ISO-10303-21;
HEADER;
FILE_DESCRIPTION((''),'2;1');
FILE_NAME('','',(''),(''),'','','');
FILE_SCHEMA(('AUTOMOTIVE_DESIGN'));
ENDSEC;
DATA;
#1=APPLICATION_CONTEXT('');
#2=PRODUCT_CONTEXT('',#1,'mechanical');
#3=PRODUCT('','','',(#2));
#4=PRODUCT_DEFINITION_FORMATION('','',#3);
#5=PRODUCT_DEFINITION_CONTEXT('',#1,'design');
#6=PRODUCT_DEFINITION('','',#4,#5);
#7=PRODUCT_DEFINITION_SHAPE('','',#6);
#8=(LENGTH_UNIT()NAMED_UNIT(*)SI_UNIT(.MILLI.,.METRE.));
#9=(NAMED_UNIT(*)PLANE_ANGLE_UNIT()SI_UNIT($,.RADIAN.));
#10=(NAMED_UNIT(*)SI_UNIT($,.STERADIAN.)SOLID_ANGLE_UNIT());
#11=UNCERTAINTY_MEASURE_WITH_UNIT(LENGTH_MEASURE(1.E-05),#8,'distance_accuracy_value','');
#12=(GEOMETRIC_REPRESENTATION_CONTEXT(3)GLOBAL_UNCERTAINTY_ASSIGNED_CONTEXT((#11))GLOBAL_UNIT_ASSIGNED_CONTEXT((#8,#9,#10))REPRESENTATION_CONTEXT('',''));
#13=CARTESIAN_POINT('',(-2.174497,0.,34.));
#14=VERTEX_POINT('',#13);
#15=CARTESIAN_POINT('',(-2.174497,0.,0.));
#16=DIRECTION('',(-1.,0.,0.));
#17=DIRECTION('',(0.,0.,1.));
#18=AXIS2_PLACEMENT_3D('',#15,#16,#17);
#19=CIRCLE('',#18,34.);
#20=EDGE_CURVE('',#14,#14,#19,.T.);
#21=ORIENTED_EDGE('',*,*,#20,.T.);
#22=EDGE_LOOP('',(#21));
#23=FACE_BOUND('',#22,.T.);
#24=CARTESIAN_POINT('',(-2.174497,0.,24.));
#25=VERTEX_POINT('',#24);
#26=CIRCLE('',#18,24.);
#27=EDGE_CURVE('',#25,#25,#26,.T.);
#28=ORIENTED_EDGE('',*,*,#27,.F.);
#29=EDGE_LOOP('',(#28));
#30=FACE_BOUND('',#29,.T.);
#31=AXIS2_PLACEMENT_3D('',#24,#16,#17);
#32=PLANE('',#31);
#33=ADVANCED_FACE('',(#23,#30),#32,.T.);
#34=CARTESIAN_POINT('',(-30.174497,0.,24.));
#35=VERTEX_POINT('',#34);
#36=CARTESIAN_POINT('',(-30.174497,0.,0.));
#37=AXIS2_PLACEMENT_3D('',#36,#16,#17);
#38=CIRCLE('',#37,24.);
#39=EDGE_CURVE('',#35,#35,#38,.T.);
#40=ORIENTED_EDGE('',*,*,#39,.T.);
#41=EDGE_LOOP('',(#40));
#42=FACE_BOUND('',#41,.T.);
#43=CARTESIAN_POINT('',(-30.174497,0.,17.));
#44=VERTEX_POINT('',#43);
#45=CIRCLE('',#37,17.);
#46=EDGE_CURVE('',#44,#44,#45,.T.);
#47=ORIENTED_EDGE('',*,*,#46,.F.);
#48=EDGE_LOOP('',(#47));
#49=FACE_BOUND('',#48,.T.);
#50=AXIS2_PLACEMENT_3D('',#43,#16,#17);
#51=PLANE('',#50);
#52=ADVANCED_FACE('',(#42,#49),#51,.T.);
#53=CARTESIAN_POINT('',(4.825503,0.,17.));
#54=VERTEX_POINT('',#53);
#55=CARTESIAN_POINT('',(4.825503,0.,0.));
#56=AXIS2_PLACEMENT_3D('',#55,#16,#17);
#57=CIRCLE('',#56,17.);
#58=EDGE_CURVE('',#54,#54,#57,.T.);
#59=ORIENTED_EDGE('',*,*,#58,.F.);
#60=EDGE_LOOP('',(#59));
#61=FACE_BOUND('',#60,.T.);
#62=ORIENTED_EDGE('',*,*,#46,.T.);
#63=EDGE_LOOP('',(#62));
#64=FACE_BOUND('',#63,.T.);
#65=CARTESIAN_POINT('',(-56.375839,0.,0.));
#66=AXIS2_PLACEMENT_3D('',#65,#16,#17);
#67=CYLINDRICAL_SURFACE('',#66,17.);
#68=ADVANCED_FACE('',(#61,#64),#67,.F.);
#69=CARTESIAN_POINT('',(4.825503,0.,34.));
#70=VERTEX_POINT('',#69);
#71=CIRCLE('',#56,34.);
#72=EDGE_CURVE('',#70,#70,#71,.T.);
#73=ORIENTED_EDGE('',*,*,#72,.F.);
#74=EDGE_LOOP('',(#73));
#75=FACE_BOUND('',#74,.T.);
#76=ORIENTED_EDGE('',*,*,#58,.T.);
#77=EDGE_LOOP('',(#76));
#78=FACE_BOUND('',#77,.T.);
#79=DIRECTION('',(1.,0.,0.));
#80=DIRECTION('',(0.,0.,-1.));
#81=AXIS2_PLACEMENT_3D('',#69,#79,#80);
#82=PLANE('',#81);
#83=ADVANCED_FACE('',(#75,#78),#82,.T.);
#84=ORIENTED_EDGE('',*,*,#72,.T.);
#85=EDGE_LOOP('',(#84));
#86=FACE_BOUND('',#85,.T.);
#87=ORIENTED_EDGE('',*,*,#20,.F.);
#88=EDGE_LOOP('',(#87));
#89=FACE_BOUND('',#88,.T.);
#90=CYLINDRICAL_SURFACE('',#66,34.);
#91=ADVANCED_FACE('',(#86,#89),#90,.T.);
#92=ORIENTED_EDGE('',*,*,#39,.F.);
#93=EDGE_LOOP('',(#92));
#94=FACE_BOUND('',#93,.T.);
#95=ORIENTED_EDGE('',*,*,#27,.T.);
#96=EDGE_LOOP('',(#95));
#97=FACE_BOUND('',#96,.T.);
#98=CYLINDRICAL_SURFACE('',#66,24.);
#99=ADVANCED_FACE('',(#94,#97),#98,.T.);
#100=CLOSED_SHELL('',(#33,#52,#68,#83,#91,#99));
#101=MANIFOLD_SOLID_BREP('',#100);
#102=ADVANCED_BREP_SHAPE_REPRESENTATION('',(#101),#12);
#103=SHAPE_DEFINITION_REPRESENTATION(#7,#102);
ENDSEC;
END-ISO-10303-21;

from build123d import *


with BuildPart() as part:
    # Sketch1 → Revolve1 (revolve)
    with BuildSketch(Plane(origin=(0, 0, 0), x_dir=(1, 0, 0), z_dir=(0, 1, 0))):
        Polygon((-30.174496644, -24), (-2.174496644, -24), (-2.174496644, -34), (4.825503356, -34), (4.825503356, -17), (-30.174496644, -17), align=None)
    revolve(axis=Axis((-56.375838926, 0, 0), (1, 0, 0)))


solid = part.part
